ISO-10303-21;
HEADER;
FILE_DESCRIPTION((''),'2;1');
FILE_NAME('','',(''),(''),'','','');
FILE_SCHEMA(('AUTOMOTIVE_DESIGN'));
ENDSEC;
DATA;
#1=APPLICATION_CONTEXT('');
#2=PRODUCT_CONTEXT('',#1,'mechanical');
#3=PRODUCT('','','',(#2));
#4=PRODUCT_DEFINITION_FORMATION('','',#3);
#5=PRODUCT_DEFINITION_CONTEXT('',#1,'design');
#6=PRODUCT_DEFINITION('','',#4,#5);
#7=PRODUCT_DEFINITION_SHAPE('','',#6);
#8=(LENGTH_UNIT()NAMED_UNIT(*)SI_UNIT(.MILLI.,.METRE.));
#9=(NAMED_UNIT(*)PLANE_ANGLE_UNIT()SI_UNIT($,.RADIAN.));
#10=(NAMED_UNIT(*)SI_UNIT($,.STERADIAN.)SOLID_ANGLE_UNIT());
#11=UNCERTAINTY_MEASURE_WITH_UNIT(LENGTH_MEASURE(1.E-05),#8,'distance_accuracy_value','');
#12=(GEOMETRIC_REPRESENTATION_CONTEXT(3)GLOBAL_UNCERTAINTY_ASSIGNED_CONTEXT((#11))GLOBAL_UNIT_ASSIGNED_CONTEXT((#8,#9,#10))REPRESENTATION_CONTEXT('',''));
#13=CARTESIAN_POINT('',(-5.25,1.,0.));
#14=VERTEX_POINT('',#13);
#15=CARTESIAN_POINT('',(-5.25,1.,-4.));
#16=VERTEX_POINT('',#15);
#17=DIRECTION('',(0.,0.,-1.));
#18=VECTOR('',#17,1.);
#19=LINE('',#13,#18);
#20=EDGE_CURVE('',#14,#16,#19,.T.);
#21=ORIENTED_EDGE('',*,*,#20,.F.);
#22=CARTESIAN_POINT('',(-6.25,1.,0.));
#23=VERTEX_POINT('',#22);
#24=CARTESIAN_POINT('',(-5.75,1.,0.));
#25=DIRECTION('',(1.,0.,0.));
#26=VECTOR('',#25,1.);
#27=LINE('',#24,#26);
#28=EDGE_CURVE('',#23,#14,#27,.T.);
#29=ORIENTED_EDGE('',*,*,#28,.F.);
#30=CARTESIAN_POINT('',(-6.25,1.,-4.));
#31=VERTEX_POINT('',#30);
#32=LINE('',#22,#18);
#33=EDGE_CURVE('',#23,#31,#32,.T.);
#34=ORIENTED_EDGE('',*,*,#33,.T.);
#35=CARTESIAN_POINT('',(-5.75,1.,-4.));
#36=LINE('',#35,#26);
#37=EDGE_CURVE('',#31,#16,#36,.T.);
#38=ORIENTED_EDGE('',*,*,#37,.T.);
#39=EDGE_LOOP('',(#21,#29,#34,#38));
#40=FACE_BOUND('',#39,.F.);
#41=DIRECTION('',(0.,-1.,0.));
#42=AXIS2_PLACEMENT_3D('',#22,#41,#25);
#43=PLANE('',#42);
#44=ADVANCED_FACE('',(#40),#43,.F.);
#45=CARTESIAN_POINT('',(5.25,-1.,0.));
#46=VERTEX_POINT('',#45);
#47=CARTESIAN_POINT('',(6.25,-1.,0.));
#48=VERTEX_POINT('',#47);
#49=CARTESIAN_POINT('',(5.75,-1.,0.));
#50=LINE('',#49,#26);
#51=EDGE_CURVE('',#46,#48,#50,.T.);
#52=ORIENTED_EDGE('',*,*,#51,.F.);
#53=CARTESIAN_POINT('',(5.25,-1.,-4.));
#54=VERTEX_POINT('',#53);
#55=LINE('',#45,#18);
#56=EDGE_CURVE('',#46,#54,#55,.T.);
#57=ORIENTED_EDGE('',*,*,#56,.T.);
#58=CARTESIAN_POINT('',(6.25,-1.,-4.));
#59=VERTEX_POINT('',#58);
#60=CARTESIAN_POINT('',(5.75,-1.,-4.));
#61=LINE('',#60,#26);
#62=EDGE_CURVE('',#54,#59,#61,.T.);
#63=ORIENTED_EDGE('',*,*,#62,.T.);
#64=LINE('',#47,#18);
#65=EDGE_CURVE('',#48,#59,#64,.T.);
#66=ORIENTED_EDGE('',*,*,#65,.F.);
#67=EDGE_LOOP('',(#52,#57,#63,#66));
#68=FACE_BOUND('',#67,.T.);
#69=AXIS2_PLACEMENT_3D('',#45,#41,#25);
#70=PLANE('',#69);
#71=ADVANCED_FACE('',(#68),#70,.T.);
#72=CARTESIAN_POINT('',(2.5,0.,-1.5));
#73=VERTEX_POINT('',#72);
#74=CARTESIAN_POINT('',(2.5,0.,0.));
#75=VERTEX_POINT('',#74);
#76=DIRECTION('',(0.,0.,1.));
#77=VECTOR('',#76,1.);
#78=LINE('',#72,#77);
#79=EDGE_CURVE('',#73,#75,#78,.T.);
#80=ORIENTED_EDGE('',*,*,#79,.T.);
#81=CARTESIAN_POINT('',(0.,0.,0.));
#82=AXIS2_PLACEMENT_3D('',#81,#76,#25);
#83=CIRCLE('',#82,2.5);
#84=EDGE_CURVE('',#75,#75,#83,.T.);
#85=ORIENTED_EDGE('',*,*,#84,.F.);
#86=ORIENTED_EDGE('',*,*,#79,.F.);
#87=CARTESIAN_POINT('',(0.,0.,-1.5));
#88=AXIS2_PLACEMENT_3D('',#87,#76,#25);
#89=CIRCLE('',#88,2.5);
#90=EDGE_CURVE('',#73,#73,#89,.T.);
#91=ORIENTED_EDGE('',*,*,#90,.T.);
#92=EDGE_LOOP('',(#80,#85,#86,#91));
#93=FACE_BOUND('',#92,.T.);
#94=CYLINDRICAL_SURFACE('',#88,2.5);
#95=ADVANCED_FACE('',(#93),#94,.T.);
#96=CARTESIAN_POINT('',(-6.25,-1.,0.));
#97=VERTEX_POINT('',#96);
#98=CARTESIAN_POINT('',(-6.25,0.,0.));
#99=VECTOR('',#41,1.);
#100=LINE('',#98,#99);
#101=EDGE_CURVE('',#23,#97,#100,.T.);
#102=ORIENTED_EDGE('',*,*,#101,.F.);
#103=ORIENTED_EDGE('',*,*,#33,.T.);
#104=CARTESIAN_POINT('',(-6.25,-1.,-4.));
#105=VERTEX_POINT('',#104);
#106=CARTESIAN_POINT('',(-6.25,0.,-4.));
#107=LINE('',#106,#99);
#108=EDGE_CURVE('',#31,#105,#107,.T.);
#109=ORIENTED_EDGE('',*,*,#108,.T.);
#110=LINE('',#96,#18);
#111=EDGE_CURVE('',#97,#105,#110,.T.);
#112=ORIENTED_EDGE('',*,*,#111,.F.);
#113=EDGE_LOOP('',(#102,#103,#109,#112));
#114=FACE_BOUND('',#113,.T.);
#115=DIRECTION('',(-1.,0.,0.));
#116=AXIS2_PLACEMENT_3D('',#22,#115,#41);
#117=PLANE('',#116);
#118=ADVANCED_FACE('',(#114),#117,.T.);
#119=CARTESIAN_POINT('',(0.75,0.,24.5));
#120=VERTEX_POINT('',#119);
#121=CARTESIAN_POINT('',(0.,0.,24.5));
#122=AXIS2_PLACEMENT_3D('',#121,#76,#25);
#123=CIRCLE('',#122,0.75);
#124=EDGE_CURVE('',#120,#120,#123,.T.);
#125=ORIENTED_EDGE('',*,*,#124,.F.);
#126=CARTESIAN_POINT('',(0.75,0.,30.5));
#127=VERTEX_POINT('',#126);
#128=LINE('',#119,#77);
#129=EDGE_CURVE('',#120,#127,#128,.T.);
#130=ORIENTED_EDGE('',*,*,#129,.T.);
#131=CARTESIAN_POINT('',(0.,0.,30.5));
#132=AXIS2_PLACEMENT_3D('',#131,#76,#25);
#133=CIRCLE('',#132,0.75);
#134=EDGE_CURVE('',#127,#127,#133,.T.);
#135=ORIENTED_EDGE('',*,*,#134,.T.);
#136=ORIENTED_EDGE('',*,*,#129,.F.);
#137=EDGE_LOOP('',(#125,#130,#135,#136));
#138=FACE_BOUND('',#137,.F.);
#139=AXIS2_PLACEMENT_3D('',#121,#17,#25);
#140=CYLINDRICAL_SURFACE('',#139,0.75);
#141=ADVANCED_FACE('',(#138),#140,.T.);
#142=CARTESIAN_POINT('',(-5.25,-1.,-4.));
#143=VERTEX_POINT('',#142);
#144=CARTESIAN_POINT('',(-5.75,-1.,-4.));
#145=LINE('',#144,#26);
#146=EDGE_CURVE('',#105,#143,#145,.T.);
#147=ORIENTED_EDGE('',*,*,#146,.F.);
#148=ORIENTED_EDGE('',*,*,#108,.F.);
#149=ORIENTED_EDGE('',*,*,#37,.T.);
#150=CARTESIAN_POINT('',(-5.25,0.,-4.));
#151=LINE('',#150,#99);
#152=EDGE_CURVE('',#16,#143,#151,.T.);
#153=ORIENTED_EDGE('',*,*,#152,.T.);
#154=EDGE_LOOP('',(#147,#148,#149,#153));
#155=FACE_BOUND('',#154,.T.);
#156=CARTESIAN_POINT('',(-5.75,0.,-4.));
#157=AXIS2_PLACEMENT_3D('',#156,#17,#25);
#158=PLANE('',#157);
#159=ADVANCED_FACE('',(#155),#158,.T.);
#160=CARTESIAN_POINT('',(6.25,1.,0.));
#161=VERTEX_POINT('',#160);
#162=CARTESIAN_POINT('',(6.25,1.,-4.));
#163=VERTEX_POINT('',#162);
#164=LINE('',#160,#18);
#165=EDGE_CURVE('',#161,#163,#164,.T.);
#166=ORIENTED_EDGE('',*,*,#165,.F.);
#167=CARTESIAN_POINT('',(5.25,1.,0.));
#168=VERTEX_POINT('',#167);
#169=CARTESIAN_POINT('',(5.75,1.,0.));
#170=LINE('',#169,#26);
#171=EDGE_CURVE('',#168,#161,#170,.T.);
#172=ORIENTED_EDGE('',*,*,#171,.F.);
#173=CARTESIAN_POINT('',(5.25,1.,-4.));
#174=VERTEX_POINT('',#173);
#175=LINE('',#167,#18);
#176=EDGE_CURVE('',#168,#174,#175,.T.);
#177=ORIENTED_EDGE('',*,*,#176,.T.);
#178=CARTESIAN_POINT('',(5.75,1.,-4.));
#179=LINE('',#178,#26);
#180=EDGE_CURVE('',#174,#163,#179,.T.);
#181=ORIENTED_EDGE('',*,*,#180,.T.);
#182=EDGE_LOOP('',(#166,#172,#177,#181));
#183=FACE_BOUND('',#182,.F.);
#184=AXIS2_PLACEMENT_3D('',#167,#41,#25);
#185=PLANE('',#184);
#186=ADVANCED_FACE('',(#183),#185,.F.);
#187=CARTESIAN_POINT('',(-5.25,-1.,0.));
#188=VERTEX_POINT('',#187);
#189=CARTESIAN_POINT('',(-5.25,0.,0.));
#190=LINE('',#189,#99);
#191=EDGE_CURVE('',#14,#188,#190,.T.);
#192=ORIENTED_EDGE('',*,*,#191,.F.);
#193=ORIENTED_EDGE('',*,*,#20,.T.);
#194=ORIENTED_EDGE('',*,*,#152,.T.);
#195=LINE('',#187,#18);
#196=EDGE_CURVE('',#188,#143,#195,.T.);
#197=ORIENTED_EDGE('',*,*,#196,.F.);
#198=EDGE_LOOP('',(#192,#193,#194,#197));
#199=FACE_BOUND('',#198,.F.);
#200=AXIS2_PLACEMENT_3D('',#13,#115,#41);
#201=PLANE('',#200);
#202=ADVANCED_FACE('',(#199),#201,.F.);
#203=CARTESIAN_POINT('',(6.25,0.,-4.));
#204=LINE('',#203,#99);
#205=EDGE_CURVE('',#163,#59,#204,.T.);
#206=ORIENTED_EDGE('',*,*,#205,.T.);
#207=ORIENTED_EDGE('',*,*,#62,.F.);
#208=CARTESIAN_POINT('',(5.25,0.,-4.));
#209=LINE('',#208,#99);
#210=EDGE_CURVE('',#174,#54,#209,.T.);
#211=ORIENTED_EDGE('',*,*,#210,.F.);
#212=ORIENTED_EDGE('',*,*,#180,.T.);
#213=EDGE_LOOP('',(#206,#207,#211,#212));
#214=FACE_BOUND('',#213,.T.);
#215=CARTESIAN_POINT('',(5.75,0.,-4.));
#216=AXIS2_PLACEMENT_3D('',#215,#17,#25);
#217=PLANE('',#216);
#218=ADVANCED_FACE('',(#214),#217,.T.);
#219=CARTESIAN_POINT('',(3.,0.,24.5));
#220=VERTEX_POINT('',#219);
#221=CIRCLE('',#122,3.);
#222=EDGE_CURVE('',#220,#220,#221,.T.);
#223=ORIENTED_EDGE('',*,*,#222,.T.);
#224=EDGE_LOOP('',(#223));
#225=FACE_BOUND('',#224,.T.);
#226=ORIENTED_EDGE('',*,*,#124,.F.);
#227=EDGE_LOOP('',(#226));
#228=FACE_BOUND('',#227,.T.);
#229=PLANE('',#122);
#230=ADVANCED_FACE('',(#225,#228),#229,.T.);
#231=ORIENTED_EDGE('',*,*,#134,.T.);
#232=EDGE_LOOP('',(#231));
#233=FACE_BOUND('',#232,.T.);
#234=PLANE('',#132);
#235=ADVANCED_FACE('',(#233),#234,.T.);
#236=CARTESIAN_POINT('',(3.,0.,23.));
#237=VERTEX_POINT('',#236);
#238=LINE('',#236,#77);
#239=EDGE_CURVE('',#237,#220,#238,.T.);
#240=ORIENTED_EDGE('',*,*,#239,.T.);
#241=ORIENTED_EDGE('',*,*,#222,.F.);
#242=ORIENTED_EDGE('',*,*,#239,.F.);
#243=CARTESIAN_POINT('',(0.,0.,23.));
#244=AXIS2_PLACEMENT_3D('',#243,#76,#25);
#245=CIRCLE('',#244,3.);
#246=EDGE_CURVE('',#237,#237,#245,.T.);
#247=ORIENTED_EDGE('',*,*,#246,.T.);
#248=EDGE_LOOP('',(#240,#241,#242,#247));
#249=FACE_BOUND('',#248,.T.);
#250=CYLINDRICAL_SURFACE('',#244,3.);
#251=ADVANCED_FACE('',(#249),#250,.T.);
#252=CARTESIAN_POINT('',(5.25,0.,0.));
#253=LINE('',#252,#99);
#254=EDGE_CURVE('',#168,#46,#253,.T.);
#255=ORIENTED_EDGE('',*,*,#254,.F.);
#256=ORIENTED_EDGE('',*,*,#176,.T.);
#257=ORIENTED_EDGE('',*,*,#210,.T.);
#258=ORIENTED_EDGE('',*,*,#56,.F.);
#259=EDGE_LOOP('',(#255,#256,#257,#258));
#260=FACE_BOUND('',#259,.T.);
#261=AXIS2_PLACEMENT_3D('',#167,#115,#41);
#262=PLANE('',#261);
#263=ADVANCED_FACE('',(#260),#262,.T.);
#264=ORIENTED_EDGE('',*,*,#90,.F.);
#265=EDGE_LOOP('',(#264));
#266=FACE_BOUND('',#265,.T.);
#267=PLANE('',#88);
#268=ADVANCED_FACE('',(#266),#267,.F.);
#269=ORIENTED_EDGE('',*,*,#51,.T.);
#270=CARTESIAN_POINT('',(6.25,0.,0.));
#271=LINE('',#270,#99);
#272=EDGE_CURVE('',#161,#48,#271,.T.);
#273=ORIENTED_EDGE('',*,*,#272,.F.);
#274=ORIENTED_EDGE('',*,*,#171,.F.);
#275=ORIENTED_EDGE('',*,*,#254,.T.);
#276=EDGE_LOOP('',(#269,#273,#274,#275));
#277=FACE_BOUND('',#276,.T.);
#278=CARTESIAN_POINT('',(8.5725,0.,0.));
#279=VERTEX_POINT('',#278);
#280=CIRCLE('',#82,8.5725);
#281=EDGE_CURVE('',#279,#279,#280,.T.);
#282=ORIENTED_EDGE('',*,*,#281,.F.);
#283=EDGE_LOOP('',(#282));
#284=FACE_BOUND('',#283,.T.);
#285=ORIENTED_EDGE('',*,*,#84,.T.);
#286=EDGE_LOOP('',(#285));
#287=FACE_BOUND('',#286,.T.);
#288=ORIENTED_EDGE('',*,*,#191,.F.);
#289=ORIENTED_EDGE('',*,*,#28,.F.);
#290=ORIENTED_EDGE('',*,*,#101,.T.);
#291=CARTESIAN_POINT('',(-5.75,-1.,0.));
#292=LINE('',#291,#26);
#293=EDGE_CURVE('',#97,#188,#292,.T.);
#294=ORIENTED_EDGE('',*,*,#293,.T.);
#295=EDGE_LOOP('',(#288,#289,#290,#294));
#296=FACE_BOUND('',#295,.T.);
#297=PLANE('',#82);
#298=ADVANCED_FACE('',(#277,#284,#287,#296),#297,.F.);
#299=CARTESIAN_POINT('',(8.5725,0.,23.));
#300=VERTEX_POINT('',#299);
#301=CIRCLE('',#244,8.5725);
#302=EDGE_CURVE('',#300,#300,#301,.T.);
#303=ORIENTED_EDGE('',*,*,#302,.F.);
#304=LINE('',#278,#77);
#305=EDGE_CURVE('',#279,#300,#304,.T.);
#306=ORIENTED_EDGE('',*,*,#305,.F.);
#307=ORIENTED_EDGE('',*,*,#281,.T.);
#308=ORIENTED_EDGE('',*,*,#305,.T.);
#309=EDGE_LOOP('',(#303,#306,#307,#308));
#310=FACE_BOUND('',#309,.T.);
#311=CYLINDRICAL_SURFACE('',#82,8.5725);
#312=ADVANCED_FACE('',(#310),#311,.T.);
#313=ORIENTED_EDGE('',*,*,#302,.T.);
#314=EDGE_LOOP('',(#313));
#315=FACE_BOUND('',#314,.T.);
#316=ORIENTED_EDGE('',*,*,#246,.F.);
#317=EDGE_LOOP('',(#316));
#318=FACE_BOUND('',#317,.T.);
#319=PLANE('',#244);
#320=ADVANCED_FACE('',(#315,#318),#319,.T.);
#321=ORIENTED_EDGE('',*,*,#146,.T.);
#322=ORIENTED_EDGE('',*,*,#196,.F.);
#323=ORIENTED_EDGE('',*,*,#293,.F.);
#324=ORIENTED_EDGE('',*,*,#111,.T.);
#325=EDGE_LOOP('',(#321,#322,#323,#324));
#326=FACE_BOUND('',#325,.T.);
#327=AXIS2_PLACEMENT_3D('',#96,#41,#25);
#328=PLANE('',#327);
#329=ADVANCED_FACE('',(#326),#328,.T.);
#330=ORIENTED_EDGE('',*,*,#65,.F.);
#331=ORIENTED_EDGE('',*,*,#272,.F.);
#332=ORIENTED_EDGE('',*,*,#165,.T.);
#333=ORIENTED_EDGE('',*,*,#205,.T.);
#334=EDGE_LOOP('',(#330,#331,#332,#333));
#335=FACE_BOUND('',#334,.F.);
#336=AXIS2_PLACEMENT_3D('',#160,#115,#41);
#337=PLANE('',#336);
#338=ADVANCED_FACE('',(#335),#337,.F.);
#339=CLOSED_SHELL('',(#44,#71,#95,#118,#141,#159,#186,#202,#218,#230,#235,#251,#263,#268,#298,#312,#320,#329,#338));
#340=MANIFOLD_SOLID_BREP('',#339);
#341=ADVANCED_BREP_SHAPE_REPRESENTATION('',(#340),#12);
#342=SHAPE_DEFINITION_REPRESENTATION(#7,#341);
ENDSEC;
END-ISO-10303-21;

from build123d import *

# Parameters (mm, degrees)
F2_R     = 0.75
F3_DEPTH = 6
F4_W     = 1
F4_H     = 2
F5_DEPTH = 4


with BuildPart() as f1:
    # F0 (on Front) → F1 (revolve)
    with BuildSketch(Plane.XZ):
        Polygon((2.5, -1.5), (2.5, 0), (8.5725, 0), (8.5725, 23), (3, 23), (3, 24.5), (0, 24.5), (0, -1.5), align=None)
    revolve(axis=Axis((0, 0, 11.5), (0, 0, 1)))

    # F2 (on face) → F3 (join)
    with BuildSketch(Plane.XY.offset(24.5)):
        Circle(F2_R)
    extrude(amount=F3_DEPTH)

    # F4 (on face) → F5 (join)
    with BuildSketch(Plane(origin=(0, 0, 0), x_dir=(1, 0, 0), z_dir=(0, 0, -1))):
        with Locations((5.75, 0)):
            Rectangle(F4_W, F4_H)
        with Locations((-5.75, 0)):
            Rectangle(F4_W, F4_H)
    extrude(amount=F5_DEPTH)


solid = f1.part
